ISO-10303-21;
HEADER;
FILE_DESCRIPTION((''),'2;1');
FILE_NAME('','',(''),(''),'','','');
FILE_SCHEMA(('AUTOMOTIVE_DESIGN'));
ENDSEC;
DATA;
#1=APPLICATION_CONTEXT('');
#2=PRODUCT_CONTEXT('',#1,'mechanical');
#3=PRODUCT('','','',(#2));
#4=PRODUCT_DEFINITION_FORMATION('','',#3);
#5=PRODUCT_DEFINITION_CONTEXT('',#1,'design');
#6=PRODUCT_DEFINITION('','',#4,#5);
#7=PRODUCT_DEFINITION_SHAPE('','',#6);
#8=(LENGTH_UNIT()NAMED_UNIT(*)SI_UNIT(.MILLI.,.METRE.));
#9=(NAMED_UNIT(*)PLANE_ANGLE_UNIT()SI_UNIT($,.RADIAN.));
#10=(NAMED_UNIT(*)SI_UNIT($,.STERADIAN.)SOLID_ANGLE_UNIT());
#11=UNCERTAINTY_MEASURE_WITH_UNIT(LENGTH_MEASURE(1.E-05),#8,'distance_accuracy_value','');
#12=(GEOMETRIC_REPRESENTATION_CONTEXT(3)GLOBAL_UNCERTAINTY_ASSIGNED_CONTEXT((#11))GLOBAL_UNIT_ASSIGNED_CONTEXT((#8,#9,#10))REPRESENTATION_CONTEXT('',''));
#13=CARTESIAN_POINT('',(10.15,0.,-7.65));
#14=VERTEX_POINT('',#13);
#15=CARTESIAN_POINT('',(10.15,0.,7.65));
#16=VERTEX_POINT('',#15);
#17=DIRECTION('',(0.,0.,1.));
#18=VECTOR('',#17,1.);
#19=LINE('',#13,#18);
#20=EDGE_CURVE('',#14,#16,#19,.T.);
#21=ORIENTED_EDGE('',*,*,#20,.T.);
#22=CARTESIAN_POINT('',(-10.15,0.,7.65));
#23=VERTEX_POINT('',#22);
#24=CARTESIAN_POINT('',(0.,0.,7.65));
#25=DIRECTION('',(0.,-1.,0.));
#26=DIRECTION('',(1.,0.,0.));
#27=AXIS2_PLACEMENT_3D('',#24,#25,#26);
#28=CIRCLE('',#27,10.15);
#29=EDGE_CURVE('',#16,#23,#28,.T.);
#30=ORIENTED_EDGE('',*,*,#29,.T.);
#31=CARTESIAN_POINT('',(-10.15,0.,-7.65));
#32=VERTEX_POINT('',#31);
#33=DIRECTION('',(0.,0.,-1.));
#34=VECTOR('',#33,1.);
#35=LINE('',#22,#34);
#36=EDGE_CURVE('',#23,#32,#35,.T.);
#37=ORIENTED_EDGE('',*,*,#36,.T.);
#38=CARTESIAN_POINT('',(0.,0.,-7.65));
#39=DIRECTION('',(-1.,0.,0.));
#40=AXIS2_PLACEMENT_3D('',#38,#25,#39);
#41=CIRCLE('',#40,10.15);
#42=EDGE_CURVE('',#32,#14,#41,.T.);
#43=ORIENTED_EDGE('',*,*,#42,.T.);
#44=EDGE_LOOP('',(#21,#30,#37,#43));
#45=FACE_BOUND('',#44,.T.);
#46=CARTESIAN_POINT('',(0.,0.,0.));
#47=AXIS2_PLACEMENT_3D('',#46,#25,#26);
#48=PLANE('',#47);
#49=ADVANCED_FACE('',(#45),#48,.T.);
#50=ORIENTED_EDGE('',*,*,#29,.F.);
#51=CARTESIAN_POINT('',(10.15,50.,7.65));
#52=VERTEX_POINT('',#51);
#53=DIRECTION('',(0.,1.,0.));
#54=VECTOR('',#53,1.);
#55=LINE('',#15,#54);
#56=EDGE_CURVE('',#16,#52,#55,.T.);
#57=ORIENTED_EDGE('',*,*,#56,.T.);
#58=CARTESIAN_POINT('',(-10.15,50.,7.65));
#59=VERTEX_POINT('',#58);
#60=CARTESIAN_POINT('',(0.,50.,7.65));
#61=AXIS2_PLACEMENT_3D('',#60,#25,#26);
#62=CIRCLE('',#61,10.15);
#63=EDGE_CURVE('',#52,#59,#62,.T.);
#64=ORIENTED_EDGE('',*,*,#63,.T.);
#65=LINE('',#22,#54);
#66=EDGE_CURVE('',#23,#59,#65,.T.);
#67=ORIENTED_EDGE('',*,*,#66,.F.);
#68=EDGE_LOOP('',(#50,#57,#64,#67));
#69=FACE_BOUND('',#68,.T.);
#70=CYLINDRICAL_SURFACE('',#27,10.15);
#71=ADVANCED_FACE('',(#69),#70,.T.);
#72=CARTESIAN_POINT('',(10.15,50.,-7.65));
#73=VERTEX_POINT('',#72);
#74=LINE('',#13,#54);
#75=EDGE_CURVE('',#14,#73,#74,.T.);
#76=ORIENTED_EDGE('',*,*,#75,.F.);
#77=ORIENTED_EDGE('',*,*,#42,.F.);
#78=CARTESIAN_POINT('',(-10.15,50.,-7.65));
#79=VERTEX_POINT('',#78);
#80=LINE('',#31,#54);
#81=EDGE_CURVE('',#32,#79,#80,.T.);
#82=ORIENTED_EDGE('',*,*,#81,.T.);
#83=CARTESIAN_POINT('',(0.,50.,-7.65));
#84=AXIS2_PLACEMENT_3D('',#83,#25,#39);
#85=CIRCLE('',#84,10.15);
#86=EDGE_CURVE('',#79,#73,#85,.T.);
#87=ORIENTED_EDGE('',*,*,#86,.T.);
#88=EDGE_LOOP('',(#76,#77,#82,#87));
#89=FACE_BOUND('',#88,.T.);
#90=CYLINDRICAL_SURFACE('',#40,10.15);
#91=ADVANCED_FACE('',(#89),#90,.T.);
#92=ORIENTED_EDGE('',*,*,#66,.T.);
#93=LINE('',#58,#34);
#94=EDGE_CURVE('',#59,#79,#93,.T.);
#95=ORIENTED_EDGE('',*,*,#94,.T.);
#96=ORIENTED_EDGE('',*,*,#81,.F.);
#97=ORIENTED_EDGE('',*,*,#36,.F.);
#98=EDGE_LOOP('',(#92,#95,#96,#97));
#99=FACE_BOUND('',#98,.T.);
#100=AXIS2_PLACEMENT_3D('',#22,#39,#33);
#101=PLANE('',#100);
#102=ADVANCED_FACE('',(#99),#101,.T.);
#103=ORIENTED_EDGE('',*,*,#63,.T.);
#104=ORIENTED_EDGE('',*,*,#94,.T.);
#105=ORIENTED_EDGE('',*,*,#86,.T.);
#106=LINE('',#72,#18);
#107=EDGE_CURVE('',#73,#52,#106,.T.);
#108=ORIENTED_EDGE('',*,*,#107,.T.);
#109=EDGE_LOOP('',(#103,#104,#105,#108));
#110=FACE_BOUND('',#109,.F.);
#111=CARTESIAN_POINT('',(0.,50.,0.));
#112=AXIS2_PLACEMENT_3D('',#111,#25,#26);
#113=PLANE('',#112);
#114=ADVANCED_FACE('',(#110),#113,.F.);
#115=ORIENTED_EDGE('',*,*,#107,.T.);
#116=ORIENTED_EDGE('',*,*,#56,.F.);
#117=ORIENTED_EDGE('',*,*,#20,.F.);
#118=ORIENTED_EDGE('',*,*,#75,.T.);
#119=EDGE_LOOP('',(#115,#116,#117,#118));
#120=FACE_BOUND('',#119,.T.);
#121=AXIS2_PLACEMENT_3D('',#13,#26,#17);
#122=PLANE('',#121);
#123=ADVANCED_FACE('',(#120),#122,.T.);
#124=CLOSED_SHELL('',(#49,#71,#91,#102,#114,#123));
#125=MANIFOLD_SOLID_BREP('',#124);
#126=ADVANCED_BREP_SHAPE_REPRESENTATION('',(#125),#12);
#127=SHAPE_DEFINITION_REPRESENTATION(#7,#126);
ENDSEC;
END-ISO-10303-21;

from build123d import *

# Parameters (mm, degrees)
F1_DEPTH = 50


with BuildPart() as f1:
    # F0 (on Front) → F1 (new body)
    with BuildSketch(Plane.XZ):
        with BuildLine():
            ThreePointArc((10.15, 7.65), (0, 17.8), (-10.15, 7.65))
            Line((-10.15, 7.65), (-10.15, -7.65))
            ThreePointArc((-10.15, -7.65), (0, -17.8), (10.15, -7.65))
            Line((10.15, -7.65), (10.15, 7.65))
        make_face()
    extrude(amount=-F1_DEPTH)


solid = f1.part
